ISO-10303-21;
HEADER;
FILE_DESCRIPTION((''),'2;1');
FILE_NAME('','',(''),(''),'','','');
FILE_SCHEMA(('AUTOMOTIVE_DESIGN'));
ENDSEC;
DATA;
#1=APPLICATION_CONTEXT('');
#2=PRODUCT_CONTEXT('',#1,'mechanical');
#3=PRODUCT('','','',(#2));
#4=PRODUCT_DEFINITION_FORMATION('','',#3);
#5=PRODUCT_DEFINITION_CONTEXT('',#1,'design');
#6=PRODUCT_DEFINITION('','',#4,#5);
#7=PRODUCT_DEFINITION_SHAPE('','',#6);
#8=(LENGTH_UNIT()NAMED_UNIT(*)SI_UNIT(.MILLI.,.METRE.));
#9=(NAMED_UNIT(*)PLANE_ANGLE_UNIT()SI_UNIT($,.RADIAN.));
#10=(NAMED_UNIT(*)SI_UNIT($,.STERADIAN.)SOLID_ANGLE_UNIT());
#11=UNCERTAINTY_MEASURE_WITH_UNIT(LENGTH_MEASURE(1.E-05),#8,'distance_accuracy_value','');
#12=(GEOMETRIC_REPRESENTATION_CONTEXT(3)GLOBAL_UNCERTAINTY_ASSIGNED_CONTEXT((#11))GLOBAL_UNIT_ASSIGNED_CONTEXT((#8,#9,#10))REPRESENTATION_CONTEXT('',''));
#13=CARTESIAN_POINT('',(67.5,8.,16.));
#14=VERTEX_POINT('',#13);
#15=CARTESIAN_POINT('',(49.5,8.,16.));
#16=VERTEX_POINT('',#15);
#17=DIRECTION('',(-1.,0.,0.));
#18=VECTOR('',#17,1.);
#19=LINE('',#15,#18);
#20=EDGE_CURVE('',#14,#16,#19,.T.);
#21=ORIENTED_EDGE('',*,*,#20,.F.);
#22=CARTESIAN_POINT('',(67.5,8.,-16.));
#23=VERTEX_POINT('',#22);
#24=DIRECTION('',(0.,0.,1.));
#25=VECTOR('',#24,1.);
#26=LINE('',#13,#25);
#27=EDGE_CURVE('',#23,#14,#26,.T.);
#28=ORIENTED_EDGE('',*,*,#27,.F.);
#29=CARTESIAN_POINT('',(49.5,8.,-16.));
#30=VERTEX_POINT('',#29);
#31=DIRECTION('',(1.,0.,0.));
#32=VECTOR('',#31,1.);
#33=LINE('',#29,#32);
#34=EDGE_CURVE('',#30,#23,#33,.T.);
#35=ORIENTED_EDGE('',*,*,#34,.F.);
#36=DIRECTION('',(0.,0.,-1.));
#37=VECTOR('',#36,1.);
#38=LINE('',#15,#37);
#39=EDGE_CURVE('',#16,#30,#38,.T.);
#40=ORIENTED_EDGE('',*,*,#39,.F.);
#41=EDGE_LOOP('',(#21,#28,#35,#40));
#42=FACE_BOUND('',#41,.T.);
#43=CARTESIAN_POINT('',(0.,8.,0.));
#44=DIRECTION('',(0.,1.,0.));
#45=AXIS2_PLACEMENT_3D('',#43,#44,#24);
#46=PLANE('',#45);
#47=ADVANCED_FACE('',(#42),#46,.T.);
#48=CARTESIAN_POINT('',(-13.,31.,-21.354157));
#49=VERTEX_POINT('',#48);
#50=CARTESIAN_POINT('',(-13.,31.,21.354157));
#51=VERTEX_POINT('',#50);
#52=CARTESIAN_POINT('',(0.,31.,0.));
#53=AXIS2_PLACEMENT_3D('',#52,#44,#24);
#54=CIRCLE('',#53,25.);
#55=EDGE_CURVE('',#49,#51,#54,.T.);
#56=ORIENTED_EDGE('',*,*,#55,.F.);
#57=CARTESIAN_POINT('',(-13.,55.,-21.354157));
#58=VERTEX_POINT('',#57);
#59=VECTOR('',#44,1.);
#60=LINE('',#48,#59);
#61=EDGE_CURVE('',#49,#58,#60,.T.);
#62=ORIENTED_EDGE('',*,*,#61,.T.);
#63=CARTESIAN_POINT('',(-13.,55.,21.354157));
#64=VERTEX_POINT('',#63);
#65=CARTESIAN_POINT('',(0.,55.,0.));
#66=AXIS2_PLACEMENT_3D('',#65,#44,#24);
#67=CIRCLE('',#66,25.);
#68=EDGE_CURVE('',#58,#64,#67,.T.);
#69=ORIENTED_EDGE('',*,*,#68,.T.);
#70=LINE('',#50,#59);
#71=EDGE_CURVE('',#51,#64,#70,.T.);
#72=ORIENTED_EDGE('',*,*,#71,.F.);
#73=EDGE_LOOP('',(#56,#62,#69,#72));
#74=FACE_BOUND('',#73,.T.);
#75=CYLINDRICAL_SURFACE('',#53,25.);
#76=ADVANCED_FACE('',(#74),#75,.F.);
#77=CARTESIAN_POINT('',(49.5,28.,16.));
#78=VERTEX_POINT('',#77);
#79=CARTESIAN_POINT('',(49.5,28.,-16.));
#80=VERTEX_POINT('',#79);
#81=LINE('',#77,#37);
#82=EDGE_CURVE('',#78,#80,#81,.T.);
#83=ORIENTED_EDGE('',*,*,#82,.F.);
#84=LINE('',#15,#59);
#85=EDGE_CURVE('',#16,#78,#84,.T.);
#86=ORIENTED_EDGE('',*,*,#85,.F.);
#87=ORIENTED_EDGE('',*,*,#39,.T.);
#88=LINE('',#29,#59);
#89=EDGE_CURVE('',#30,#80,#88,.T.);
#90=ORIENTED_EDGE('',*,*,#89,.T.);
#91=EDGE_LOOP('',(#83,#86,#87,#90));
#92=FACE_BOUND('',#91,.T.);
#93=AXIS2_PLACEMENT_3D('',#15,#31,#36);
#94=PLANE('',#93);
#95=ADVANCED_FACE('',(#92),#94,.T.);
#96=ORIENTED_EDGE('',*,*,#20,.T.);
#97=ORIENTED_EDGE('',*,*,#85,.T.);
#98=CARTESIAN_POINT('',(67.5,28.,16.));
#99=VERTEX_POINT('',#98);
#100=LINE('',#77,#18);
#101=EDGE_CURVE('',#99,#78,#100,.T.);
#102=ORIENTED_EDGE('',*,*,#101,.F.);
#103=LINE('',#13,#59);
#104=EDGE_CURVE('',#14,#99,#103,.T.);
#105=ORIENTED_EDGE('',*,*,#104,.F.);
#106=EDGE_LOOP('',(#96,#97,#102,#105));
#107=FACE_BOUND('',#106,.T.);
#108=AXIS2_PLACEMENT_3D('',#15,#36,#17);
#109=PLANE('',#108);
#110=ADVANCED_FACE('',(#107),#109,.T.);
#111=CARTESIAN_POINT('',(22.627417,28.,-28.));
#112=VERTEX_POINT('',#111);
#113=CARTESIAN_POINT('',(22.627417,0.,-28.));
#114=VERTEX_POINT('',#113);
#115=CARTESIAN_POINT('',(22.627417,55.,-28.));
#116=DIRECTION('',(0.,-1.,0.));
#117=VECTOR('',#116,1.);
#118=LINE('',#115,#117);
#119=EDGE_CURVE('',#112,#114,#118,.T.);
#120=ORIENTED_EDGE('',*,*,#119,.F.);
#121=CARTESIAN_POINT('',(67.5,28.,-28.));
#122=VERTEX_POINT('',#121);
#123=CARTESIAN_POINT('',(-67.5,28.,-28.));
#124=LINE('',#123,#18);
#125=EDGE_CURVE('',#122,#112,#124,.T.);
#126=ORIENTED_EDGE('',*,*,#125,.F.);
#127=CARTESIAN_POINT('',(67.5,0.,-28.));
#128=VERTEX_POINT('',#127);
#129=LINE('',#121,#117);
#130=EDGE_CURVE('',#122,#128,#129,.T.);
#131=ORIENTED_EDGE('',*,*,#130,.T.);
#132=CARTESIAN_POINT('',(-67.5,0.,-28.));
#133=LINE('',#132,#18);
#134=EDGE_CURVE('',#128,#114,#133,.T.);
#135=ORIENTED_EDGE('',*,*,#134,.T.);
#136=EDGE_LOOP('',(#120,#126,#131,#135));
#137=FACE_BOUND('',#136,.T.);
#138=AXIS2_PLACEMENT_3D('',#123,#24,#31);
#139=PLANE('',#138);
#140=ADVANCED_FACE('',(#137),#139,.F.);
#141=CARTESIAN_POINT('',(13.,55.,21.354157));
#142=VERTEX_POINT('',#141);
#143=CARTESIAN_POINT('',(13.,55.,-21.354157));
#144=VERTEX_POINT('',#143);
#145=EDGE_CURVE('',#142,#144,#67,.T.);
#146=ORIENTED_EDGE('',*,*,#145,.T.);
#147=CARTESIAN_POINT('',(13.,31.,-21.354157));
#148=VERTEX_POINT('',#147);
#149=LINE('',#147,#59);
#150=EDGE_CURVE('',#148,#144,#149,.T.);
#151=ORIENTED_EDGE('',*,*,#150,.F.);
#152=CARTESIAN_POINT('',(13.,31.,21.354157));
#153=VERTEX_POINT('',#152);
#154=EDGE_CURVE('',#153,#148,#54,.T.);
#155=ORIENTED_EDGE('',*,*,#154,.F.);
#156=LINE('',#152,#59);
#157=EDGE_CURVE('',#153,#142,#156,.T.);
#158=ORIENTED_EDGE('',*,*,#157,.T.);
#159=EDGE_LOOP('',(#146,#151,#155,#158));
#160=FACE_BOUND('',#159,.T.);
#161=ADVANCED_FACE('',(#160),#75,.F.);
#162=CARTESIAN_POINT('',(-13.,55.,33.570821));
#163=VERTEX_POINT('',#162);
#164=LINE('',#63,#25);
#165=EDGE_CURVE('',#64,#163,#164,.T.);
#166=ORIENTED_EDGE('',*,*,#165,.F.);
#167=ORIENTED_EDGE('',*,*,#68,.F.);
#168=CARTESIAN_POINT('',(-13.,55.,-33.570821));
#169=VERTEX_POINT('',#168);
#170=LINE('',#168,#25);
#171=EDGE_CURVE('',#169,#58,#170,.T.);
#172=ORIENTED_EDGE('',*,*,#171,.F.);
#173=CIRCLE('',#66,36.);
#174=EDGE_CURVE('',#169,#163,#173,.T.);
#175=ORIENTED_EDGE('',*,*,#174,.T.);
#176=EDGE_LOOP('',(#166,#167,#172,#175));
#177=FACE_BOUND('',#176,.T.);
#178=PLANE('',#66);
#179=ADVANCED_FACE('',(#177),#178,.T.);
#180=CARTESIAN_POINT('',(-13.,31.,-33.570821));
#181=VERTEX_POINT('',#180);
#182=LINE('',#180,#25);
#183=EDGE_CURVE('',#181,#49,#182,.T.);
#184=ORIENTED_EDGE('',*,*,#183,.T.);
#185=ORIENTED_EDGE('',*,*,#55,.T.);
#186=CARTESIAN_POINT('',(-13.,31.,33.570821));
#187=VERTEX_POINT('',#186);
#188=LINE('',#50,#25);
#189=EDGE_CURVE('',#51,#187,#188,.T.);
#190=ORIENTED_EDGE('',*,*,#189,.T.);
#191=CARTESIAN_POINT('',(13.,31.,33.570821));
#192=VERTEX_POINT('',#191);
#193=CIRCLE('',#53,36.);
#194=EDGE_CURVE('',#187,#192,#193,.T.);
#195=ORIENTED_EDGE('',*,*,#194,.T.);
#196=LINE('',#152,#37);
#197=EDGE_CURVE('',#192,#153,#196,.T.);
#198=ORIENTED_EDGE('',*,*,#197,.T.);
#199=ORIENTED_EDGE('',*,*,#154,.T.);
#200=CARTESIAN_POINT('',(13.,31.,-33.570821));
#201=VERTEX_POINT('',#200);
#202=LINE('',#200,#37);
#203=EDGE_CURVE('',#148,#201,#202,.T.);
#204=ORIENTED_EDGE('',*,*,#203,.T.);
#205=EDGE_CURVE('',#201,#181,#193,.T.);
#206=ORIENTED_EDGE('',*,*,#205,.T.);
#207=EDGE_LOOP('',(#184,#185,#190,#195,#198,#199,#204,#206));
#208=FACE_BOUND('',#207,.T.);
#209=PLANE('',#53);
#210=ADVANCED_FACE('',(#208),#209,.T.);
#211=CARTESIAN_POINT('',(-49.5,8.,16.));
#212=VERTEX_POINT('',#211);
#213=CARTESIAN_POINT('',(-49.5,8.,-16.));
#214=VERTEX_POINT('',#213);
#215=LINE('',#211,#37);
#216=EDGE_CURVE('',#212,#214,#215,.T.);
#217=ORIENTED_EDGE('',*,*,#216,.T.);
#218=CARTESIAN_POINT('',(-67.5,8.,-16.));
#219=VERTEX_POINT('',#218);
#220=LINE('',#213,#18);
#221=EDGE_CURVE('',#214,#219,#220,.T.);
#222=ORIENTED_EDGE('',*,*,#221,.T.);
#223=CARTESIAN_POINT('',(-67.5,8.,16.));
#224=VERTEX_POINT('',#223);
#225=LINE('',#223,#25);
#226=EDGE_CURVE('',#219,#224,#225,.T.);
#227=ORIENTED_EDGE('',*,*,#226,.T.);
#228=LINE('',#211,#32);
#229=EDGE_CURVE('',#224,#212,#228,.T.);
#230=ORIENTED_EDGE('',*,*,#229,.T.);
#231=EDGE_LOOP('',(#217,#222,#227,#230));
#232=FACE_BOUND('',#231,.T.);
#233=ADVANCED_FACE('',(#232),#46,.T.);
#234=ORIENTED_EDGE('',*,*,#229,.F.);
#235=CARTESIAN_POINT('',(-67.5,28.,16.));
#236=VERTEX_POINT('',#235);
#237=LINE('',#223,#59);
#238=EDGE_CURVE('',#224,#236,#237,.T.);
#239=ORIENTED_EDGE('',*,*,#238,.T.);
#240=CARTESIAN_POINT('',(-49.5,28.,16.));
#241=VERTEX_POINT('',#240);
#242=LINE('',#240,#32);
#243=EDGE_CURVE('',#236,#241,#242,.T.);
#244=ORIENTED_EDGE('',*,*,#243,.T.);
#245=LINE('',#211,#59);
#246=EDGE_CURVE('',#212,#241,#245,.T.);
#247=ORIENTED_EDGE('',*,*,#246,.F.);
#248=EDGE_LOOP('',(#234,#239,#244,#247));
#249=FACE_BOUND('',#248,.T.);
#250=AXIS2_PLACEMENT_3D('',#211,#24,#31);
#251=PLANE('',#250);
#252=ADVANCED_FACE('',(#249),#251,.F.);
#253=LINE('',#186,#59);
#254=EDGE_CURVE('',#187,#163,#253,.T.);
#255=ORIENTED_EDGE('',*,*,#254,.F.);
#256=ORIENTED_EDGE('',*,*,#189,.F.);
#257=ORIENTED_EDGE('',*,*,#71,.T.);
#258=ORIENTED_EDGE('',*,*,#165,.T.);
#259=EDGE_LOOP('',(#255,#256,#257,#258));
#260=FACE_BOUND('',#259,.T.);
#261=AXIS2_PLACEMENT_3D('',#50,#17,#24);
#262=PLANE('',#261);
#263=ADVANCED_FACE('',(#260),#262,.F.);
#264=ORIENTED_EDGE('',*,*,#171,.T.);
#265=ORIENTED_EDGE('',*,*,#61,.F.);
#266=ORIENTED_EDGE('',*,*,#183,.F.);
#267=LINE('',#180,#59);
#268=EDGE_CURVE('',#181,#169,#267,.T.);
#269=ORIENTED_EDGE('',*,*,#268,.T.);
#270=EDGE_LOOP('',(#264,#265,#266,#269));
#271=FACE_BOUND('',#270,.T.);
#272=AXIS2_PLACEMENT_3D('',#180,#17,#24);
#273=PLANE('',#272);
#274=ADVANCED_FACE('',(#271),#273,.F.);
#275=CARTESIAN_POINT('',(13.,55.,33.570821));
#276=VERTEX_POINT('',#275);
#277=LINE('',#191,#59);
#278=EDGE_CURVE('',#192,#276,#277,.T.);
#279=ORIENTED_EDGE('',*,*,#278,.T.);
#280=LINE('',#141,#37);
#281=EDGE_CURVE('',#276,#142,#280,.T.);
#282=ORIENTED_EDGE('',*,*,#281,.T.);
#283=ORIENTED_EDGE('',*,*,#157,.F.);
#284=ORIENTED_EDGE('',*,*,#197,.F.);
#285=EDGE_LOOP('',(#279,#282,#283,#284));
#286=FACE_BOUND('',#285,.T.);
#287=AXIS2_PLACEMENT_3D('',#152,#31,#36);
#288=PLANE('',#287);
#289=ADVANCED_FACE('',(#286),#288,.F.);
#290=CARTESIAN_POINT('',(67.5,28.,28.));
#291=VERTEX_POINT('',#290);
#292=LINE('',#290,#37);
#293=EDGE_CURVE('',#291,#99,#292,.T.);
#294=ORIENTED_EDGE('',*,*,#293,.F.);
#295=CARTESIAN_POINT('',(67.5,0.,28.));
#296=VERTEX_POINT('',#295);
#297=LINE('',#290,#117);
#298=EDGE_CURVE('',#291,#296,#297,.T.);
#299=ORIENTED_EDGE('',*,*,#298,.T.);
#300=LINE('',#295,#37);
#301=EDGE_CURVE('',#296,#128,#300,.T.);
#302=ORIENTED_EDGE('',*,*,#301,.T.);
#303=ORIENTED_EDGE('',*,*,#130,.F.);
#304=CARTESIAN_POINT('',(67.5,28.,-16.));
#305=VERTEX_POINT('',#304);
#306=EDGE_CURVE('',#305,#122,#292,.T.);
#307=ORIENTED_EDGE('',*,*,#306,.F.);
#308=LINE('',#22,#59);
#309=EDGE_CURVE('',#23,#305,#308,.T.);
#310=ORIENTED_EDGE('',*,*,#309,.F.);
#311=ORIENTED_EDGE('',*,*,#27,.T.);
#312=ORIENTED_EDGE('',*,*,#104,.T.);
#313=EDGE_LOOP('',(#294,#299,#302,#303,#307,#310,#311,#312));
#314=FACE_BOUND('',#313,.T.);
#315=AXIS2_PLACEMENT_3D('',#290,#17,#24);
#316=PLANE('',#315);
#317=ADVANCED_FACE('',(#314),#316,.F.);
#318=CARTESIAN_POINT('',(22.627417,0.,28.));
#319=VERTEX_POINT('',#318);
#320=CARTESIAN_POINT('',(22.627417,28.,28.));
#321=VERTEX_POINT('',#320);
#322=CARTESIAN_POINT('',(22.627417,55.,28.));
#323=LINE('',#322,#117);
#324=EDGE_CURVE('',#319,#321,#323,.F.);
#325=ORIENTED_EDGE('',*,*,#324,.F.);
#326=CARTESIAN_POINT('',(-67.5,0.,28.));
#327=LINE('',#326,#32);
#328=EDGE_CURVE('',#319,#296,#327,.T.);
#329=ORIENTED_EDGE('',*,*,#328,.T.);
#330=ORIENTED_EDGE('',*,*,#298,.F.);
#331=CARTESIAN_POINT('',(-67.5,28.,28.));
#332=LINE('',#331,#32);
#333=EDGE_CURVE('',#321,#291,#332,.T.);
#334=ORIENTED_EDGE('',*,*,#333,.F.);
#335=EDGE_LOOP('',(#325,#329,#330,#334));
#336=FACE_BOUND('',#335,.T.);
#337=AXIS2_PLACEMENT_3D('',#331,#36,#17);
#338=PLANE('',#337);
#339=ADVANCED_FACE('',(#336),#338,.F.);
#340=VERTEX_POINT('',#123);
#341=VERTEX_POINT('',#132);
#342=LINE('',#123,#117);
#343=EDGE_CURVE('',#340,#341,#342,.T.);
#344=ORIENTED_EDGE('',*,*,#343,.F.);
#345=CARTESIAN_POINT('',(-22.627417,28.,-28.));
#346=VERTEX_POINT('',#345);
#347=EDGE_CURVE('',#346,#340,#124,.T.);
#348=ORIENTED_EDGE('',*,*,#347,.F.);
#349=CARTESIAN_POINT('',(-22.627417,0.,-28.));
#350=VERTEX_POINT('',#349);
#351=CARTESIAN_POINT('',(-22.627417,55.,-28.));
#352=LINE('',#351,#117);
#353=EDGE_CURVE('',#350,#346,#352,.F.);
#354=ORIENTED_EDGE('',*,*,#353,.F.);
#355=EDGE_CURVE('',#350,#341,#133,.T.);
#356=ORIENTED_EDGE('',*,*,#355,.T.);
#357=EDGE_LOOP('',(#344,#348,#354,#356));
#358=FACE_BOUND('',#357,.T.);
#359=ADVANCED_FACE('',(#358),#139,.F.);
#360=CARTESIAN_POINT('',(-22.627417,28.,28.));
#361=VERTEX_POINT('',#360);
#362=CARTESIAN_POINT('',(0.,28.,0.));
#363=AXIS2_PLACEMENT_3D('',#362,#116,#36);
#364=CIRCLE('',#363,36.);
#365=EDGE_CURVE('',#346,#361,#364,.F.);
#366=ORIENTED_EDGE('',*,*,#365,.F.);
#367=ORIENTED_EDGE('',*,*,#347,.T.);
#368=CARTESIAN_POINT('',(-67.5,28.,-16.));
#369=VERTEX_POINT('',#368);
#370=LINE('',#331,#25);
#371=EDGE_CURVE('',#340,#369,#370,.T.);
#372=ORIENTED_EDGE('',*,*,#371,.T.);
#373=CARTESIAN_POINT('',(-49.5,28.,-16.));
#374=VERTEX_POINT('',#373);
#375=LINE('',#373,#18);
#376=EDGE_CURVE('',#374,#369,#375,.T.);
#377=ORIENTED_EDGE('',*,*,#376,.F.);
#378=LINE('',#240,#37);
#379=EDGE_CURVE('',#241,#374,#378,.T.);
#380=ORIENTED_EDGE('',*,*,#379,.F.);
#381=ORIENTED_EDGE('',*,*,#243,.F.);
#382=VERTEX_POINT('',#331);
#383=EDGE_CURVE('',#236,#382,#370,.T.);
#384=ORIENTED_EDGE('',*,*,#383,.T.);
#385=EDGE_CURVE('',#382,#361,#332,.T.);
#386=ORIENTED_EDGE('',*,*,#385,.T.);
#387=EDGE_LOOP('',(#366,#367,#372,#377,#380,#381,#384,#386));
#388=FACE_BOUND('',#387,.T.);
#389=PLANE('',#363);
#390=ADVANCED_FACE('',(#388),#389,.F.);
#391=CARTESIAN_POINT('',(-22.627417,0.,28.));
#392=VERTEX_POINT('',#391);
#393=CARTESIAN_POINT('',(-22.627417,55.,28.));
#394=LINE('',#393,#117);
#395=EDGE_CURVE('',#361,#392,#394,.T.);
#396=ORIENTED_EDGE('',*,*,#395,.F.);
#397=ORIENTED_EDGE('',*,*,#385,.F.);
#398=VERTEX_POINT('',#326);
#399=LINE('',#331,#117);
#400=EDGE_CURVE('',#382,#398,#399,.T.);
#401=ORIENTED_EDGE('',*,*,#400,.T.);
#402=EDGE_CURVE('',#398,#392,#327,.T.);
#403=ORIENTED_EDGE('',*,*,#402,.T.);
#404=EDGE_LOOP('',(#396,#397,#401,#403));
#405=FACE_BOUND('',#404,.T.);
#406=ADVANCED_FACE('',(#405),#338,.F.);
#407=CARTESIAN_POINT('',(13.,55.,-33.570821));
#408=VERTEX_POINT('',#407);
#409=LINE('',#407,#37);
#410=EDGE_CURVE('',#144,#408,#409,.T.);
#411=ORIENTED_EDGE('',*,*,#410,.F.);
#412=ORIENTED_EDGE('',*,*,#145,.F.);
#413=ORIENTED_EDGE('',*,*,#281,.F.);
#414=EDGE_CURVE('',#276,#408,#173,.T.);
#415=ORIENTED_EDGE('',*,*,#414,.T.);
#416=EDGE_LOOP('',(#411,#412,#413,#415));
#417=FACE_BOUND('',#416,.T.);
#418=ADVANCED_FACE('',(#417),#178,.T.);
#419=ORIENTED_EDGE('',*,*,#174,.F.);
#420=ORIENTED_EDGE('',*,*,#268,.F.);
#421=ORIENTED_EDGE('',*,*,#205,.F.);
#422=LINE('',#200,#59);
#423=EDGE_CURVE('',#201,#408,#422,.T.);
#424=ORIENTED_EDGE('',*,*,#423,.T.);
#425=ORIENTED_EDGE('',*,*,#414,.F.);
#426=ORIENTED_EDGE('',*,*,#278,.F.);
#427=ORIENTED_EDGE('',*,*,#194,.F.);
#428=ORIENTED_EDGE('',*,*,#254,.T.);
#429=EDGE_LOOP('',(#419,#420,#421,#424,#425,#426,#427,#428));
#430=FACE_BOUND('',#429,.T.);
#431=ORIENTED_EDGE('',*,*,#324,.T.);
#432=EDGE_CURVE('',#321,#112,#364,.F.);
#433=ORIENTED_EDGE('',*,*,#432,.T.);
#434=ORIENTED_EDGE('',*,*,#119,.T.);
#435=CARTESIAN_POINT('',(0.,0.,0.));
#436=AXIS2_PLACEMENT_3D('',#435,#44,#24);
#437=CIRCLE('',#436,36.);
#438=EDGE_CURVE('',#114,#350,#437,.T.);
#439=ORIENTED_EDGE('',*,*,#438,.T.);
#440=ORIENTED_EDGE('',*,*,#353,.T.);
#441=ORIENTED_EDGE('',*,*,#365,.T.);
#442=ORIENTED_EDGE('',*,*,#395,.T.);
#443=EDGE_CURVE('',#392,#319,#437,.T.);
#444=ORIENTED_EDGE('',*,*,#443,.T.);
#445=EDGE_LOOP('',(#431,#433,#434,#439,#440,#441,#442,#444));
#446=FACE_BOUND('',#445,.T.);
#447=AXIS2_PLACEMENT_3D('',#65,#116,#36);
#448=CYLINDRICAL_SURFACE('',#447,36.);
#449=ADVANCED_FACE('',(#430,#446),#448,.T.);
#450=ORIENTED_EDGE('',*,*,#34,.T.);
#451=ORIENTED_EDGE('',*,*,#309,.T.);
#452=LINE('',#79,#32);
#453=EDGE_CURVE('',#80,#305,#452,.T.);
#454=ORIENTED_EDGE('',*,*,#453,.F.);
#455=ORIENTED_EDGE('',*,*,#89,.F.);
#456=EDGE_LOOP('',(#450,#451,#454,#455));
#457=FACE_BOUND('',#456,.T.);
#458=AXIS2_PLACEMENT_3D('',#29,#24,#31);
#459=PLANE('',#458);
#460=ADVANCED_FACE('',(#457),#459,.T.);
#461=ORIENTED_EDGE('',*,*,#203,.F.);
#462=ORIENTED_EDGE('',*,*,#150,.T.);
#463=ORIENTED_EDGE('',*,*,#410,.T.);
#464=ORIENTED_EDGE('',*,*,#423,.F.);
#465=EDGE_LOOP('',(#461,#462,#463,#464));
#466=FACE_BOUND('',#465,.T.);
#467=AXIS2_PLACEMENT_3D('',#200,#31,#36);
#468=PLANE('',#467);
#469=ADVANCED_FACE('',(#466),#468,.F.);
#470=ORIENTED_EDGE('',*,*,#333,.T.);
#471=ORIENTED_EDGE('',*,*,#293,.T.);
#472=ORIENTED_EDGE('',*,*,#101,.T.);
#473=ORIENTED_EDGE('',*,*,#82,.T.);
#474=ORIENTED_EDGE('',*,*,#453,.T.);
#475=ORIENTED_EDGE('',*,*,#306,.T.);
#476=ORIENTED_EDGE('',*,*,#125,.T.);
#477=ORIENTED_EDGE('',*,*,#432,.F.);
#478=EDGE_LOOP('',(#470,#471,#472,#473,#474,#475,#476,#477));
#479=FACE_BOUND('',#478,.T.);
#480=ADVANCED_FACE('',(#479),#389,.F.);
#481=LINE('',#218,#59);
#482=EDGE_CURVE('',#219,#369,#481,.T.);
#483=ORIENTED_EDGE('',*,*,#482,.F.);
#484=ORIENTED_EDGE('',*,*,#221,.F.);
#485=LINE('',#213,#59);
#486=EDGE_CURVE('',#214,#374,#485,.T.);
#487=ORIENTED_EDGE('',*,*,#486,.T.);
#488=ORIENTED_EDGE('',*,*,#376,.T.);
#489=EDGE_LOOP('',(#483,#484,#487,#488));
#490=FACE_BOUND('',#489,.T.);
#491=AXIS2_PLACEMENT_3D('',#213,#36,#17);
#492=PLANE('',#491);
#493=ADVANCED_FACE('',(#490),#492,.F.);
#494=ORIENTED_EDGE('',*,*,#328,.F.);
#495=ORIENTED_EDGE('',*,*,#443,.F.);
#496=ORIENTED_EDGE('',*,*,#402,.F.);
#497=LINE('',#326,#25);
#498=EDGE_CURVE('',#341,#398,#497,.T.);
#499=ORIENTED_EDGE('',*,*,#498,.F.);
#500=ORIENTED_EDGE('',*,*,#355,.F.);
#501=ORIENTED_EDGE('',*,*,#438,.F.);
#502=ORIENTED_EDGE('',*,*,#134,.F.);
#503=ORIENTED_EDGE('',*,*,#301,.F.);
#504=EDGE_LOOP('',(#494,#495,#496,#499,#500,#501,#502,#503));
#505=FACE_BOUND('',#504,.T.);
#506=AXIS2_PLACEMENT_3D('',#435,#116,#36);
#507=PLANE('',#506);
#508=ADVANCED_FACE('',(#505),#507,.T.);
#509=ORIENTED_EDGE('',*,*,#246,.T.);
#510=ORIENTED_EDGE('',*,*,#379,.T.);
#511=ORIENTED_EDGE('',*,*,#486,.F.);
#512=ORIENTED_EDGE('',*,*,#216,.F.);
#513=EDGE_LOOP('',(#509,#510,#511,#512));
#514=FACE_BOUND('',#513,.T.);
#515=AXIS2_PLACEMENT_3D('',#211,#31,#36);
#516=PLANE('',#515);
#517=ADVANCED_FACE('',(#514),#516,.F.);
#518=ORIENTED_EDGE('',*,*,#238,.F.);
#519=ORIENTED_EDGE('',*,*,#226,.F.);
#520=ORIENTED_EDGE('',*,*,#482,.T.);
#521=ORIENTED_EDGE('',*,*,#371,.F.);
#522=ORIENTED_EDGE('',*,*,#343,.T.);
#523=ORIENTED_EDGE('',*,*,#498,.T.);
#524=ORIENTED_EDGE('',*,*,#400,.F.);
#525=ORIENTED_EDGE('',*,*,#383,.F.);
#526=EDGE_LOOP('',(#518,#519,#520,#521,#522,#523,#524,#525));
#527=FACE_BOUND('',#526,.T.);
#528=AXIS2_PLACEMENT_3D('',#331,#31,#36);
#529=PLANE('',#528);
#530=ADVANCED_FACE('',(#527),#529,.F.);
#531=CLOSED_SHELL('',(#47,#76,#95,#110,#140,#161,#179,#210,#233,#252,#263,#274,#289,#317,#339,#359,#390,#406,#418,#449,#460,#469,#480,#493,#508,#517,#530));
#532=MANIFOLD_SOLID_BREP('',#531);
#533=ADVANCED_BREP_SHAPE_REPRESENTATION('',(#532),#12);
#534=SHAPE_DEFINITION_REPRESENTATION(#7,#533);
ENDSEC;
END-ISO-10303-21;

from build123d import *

# Parameters (mm, degrees)
SKETCH1_W           = 135
SKETCH1_H           = 56
BOSS_EXTRUDE1_DEPTH = 28
SKETCH2_R           = 36
BOSS_EXTRUDE2_DEPTH = 55
SKETCH3_W           = 18
SKETCH3_H           = 32
CUT_EXTRUDE1_DEPTH  = 20
CUT_EXTRUDE2_START  = -24
CUT_EXTRUDE2_DEPTH  = 24


with BuildPart() as part:
    # Sketch1 → Boss-Extrude1 (new body)
    with BuildSketch(Plane(origin=(0, 0, 0), x_dir=(1, 0, 0), z_dir=(0, 1, 0))):
        Rectangle(SKETCH1_W, SKETCH1_H)
    extrude(amount=BOSS_EXTRUDE1_DEPTH)

    # Sketch2 → Boss-Extrude2 (add)
    with BuildSketch(Plane(origin=(0, 0, 0), x_dir=(1, 0, 0), z_dir=(0, 1, 0))):
        with Locations(Location((0, 0, 0), (0, 0, 51.057558731))):
            Circle(SKETCH2_R)
    extrude(amount=BOSS_EXTRUDE2_DEPTH)

    # Sketch3 → Cut-Extrude1 (cut)
    with BuildSketch(Plane(origin=(0, 28, 0), x_dir=(1, 0, 0), z_dir=(0, 1, 0))):
        with Locations((-58.5, 0)):
            Rectangle(SKETCH3_W, SKETCH3_H)
    cut_extrude1 = extrude(amount=-CUT_EXTRUDE1_DEPTH, mode=Mode.SUBTRACT)

    # Mirror1: Cut-Extrude1 across plane
    add(cut_extrude1.mirror(Plane(origin=(0, 0, 0), x_dir=(0, 0, 1), z_dir=(1, 0, 0))), mode=Mode.SUBTRACT)

    # Sketch4 → Cut-Extrude2 (cut)
    with BuildSketch(Plane(origin=(0, 55, 0), x_dir=(1, 0, 0), z_dir=(0, 1, 0)).offset(CUT_EXTRUDE2_START)):
        with BuildLine():
            Line((-13, 33.570820663), (-13, 21.354156504))
            ThreePointArc((-13, 21.354156504), (-25, 0), (-13, -21.354156504))
            Line((-13, -21.354156504), (-13, -33.570820663))
            ThreePointArc((-13, -33.570820663), (0, -36), (13, -33.570820663))
            Line((13, -33.570820663), (13, -21.354156504))
            ThreePointArc((13, -21.354156504), (25, 0), (13, 21.354156504))
            Line((13, 21.354156504), (13, 33.570820663))
            ThreePointArc((13, 33.570820663), (0, 36), (-13, 33.570820663))
        make_face()
    extrude(amount=CUT_EXTRUDE2_DEPTH, mode=Mode.SUBTRACT)


solid = part.part
